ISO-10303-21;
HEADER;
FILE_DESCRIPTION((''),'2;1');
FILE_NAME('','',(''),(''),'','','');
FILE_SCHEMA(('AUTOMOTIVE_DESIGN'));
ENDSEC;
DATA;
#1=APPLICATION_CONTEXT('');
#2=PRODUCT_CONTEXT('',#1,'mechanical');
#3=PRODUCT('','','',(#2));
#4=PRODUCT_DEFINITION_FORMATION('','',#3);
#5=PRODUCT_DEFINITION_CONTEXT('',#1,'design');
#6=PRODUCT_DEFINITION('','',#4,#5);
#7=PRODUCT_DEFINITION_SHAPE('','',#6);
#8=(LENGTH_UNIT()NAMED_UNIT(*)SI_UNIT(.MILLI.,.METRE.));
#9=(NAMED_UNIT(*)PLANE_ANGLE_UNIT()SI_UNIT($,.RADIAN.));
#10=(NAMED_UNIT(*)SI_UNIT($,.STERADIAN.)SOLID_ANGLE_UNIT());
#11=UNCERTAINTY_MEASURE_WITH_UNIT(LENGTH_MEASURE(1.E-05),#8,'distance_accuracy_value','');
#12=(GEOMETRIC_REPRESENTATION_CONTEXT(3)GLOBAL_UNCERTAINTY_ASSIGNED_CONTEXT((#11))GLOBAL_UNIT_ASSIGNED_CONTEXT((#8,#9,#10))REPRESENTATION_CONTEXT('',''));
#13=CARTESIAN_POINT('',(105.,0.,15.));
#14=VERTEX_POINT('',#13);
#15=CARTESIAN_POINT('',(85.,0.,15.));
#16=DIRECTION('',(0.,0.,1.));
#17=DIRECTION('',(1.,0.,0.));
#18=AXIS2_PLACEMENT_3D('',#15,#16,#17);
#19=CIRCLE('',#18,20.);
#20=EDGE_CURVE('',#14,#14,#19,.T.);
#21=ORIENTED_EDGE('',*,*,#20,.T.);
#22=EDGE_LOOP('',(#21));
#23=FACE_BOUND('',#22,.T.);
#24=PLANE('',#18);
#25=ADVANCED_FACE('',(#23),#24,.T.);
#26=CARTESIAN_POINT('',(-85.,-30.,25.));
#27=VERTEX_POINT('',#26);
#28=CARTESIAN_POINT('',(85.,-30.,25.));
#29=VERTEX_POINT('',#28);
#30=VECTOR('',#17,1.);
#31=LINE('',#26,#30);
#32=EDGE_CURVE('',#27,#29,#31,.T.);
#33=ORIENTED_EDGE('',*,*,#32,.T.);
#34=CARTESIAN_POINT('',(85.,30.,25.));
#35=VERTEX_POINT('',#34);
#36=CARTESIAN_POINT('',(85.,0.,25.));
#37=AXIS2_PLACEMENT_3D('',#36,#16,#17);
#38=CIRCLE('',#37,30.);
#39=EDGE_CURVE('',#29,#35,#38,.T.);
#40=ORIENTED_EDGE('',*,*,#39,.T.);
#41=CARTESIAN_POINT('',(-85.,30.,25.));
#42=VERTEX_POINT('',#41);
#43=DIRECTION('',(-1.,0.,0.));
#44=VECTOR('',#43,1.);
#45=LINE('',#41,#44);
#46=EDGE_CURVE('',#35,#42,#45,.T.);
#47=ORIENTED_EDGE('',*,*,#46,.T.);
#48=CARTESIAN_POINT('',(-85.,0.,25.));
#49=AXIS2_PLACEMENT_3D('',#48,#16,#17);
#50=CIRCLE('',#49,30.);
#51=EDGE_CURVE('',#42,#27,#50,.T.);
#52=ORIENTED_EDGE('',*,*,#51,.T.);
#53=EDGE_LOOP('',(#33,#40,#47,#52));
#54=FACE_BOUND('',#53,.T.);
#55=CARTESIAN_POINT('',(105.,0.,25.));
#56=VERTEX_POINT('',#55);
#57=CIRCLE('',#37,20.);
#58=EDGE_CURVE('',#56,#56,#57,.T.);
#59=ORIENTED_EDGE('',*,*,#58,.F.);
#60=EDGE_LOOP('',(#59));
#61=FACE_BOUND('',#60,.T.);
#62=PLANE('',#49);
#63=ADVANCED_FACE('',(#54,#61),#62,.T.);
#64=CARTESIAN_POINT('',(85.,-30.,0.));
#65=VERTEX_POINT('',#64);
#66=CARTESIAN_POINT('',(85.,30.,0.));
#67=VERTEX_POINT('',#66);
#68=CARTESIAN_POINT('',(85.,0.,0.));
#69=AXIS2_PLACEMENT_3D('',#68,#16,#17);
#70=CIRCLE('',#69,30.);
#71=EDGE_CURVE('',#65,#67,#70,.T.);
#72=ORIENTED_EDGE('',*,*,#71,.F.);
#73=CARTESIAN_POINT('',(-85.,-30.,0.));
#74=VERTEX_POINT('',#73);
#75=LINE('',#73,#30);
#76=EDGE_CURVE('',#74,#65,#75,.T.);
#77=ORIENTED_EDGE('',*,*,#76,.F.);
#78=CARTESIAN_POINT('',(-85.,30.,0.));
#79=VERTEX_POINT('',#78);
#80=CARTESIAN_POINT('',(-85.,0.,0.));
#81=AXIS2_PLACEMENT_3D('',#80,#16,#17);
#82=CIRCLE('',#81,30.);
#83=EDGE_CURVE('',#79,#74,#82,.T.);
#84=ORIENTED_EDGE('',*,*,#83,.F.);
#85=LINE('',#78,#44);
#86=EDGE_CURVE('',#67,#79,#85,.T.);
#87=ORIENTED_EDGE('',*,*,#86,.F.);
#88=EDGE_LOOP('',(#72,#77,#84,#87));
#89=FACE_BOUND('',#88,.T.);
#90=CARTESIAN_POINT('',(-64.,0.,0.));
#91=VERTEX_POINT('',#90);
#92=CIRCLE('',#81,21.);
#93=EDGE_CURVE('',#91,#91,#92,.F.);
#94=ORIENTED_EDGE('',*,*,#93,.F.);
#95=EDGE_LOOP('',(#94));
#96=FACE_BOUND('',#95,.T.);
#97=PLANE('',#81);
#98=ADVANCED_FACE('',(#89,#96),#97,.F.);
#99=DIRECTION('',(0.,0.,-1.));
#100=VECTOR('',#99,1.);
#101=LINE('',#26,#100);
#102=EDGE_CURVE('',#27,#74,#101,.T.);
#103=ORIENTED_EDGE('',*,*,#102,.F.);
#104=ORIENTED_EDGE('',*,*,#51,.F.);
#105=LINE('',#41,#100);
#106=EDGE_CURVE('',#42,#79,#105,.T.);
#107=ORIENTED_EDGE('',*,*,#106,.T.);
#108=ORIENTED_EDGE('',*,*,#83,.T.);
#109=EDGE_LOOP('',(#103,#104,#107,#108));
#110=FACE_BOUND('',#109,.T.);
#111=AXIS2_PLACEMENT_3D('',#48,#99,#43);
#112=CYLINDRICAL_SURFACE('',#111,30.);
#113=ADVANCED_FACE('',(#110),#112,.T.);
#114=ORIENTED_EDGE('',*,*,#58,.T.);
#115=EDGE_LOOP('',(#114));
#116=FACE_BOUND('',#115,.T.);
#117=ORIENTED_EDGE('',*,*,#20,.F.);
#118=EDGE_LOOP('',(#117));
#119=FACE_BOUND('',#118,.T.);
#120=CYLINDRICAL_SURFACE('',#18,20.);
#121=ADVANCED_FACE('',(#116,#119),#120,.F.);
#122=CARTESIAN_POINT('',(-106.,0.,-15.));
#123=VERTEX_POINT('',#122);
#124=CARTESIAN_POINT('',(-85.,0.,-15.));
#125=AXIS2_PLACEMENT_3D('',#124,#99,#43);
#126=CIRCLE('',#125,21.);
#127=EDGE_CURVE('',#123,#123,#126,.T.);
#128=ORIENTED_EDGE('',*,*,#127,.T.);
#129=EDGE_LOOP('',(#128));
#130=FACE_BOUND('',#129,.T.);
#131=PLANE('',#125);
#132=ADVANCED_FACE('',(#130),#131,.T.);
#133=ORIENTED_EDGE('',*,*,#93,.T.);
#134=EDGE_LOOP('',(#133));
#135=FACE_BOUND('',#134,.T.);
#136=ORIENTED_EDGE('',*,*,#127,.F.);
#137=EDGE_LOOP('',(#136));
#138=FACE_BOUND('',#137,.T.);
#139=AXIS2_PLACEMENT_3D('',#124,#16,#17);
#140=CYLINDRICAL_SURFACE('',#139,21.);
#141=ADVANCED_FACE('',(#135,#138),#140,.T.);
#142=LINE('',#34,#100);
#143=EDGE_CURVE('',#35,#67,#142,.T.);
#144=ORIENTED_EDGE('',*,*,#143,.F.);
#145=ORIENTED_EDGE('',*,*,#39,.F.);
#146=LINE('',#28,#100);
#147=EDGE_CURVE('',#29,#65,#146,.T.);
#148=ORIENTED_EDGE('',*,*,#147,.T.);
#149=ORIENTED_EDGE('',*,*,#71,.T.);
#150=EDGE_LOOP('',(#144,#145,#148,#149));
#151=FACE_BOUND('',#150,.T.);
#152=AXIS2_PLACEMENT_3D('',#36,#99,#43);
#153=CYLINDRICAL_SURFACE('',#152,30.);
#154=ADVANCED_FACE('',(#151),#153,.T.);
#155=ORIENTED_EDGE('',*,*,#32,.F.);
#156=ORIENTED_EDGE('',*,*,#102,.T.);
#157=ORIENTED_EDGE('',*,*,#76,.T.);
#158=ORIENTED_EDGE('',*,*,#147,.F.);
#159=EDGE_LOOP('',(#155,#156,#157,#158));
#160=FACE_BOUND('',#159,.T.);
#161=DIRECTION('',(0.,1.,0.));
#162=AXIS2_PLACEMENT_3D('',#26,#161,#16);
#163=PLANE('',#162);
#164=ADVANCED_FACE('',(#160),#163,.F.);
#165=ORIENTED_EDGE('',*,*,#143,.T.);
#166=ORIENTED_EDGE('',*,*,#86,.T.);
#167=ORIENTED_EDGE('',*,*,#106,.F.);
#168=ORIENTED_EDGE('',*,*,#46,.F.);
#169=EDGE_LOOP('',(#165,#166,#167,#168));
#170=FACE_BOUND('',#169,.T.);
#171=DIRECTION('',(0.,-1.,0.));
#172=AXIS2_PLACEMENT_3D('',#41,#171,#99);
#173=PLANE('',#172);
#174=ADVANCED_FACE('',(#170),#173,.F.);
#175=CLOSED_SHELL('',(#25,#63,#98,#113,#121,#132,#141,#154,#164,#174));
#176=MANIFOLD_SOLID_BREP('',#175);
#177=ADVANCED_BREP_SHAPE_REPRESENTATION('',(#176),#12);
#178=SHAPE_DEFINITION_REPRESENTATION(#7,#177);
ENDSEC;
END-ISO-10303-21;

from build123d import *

# Parameters (mm, degrees)
SALIENTE_EXTRUIR1_DEPTH = 25
CROQUIS3_R              = 21
SALIENTE_EXTRUIR2_DEPTH = 15
CROQUIS4_R              = 20
CORTAR_EXTRUIR1_DEPTH   = 10


with BuildPart() as part:
    # Croquis2 → Saliente-Extruir1 (new body)
    with BuildSketch(Plane.XY):
        with BuildLine():
            Line((-85, 30), (85, 30))
            ThreePointArc((85, 30), (115, 0), (85, -30))
            Line((85, -30), (-85, -30))
            ThreePointArc((-85, -30), (-115, 0), (-85, 30))
        make_face()
    extrude(amount=SALIENTE_EXTRUIR1_DEPTH)

    # Croquis3 → Saliente-Extruir2 (add)
    with BuildSketch(Plane(origin=(0, 0, 0), x_dir=(-1, 0, 0), z_dir=(0, 0, -1))):
        with Locations(Location((85, 0, 0), (0, 0, 180))):
            Circle(CROQUIS3_R)
    extrude(amount=SALIENTE_EXTRUIR2_DEPTH)

    # Croquis4 → Cortar-Extruir1 (cut)
    with BuildSketch(Plane.XY.offset(25)):
        with Locations((85, 0)):
            Circle(CROQUIS4_R)
    extrude(amount=-CORTAR_EXTRUIR1_DEPTH, mode=Mode.SUBTRACT)


solid = part.part
